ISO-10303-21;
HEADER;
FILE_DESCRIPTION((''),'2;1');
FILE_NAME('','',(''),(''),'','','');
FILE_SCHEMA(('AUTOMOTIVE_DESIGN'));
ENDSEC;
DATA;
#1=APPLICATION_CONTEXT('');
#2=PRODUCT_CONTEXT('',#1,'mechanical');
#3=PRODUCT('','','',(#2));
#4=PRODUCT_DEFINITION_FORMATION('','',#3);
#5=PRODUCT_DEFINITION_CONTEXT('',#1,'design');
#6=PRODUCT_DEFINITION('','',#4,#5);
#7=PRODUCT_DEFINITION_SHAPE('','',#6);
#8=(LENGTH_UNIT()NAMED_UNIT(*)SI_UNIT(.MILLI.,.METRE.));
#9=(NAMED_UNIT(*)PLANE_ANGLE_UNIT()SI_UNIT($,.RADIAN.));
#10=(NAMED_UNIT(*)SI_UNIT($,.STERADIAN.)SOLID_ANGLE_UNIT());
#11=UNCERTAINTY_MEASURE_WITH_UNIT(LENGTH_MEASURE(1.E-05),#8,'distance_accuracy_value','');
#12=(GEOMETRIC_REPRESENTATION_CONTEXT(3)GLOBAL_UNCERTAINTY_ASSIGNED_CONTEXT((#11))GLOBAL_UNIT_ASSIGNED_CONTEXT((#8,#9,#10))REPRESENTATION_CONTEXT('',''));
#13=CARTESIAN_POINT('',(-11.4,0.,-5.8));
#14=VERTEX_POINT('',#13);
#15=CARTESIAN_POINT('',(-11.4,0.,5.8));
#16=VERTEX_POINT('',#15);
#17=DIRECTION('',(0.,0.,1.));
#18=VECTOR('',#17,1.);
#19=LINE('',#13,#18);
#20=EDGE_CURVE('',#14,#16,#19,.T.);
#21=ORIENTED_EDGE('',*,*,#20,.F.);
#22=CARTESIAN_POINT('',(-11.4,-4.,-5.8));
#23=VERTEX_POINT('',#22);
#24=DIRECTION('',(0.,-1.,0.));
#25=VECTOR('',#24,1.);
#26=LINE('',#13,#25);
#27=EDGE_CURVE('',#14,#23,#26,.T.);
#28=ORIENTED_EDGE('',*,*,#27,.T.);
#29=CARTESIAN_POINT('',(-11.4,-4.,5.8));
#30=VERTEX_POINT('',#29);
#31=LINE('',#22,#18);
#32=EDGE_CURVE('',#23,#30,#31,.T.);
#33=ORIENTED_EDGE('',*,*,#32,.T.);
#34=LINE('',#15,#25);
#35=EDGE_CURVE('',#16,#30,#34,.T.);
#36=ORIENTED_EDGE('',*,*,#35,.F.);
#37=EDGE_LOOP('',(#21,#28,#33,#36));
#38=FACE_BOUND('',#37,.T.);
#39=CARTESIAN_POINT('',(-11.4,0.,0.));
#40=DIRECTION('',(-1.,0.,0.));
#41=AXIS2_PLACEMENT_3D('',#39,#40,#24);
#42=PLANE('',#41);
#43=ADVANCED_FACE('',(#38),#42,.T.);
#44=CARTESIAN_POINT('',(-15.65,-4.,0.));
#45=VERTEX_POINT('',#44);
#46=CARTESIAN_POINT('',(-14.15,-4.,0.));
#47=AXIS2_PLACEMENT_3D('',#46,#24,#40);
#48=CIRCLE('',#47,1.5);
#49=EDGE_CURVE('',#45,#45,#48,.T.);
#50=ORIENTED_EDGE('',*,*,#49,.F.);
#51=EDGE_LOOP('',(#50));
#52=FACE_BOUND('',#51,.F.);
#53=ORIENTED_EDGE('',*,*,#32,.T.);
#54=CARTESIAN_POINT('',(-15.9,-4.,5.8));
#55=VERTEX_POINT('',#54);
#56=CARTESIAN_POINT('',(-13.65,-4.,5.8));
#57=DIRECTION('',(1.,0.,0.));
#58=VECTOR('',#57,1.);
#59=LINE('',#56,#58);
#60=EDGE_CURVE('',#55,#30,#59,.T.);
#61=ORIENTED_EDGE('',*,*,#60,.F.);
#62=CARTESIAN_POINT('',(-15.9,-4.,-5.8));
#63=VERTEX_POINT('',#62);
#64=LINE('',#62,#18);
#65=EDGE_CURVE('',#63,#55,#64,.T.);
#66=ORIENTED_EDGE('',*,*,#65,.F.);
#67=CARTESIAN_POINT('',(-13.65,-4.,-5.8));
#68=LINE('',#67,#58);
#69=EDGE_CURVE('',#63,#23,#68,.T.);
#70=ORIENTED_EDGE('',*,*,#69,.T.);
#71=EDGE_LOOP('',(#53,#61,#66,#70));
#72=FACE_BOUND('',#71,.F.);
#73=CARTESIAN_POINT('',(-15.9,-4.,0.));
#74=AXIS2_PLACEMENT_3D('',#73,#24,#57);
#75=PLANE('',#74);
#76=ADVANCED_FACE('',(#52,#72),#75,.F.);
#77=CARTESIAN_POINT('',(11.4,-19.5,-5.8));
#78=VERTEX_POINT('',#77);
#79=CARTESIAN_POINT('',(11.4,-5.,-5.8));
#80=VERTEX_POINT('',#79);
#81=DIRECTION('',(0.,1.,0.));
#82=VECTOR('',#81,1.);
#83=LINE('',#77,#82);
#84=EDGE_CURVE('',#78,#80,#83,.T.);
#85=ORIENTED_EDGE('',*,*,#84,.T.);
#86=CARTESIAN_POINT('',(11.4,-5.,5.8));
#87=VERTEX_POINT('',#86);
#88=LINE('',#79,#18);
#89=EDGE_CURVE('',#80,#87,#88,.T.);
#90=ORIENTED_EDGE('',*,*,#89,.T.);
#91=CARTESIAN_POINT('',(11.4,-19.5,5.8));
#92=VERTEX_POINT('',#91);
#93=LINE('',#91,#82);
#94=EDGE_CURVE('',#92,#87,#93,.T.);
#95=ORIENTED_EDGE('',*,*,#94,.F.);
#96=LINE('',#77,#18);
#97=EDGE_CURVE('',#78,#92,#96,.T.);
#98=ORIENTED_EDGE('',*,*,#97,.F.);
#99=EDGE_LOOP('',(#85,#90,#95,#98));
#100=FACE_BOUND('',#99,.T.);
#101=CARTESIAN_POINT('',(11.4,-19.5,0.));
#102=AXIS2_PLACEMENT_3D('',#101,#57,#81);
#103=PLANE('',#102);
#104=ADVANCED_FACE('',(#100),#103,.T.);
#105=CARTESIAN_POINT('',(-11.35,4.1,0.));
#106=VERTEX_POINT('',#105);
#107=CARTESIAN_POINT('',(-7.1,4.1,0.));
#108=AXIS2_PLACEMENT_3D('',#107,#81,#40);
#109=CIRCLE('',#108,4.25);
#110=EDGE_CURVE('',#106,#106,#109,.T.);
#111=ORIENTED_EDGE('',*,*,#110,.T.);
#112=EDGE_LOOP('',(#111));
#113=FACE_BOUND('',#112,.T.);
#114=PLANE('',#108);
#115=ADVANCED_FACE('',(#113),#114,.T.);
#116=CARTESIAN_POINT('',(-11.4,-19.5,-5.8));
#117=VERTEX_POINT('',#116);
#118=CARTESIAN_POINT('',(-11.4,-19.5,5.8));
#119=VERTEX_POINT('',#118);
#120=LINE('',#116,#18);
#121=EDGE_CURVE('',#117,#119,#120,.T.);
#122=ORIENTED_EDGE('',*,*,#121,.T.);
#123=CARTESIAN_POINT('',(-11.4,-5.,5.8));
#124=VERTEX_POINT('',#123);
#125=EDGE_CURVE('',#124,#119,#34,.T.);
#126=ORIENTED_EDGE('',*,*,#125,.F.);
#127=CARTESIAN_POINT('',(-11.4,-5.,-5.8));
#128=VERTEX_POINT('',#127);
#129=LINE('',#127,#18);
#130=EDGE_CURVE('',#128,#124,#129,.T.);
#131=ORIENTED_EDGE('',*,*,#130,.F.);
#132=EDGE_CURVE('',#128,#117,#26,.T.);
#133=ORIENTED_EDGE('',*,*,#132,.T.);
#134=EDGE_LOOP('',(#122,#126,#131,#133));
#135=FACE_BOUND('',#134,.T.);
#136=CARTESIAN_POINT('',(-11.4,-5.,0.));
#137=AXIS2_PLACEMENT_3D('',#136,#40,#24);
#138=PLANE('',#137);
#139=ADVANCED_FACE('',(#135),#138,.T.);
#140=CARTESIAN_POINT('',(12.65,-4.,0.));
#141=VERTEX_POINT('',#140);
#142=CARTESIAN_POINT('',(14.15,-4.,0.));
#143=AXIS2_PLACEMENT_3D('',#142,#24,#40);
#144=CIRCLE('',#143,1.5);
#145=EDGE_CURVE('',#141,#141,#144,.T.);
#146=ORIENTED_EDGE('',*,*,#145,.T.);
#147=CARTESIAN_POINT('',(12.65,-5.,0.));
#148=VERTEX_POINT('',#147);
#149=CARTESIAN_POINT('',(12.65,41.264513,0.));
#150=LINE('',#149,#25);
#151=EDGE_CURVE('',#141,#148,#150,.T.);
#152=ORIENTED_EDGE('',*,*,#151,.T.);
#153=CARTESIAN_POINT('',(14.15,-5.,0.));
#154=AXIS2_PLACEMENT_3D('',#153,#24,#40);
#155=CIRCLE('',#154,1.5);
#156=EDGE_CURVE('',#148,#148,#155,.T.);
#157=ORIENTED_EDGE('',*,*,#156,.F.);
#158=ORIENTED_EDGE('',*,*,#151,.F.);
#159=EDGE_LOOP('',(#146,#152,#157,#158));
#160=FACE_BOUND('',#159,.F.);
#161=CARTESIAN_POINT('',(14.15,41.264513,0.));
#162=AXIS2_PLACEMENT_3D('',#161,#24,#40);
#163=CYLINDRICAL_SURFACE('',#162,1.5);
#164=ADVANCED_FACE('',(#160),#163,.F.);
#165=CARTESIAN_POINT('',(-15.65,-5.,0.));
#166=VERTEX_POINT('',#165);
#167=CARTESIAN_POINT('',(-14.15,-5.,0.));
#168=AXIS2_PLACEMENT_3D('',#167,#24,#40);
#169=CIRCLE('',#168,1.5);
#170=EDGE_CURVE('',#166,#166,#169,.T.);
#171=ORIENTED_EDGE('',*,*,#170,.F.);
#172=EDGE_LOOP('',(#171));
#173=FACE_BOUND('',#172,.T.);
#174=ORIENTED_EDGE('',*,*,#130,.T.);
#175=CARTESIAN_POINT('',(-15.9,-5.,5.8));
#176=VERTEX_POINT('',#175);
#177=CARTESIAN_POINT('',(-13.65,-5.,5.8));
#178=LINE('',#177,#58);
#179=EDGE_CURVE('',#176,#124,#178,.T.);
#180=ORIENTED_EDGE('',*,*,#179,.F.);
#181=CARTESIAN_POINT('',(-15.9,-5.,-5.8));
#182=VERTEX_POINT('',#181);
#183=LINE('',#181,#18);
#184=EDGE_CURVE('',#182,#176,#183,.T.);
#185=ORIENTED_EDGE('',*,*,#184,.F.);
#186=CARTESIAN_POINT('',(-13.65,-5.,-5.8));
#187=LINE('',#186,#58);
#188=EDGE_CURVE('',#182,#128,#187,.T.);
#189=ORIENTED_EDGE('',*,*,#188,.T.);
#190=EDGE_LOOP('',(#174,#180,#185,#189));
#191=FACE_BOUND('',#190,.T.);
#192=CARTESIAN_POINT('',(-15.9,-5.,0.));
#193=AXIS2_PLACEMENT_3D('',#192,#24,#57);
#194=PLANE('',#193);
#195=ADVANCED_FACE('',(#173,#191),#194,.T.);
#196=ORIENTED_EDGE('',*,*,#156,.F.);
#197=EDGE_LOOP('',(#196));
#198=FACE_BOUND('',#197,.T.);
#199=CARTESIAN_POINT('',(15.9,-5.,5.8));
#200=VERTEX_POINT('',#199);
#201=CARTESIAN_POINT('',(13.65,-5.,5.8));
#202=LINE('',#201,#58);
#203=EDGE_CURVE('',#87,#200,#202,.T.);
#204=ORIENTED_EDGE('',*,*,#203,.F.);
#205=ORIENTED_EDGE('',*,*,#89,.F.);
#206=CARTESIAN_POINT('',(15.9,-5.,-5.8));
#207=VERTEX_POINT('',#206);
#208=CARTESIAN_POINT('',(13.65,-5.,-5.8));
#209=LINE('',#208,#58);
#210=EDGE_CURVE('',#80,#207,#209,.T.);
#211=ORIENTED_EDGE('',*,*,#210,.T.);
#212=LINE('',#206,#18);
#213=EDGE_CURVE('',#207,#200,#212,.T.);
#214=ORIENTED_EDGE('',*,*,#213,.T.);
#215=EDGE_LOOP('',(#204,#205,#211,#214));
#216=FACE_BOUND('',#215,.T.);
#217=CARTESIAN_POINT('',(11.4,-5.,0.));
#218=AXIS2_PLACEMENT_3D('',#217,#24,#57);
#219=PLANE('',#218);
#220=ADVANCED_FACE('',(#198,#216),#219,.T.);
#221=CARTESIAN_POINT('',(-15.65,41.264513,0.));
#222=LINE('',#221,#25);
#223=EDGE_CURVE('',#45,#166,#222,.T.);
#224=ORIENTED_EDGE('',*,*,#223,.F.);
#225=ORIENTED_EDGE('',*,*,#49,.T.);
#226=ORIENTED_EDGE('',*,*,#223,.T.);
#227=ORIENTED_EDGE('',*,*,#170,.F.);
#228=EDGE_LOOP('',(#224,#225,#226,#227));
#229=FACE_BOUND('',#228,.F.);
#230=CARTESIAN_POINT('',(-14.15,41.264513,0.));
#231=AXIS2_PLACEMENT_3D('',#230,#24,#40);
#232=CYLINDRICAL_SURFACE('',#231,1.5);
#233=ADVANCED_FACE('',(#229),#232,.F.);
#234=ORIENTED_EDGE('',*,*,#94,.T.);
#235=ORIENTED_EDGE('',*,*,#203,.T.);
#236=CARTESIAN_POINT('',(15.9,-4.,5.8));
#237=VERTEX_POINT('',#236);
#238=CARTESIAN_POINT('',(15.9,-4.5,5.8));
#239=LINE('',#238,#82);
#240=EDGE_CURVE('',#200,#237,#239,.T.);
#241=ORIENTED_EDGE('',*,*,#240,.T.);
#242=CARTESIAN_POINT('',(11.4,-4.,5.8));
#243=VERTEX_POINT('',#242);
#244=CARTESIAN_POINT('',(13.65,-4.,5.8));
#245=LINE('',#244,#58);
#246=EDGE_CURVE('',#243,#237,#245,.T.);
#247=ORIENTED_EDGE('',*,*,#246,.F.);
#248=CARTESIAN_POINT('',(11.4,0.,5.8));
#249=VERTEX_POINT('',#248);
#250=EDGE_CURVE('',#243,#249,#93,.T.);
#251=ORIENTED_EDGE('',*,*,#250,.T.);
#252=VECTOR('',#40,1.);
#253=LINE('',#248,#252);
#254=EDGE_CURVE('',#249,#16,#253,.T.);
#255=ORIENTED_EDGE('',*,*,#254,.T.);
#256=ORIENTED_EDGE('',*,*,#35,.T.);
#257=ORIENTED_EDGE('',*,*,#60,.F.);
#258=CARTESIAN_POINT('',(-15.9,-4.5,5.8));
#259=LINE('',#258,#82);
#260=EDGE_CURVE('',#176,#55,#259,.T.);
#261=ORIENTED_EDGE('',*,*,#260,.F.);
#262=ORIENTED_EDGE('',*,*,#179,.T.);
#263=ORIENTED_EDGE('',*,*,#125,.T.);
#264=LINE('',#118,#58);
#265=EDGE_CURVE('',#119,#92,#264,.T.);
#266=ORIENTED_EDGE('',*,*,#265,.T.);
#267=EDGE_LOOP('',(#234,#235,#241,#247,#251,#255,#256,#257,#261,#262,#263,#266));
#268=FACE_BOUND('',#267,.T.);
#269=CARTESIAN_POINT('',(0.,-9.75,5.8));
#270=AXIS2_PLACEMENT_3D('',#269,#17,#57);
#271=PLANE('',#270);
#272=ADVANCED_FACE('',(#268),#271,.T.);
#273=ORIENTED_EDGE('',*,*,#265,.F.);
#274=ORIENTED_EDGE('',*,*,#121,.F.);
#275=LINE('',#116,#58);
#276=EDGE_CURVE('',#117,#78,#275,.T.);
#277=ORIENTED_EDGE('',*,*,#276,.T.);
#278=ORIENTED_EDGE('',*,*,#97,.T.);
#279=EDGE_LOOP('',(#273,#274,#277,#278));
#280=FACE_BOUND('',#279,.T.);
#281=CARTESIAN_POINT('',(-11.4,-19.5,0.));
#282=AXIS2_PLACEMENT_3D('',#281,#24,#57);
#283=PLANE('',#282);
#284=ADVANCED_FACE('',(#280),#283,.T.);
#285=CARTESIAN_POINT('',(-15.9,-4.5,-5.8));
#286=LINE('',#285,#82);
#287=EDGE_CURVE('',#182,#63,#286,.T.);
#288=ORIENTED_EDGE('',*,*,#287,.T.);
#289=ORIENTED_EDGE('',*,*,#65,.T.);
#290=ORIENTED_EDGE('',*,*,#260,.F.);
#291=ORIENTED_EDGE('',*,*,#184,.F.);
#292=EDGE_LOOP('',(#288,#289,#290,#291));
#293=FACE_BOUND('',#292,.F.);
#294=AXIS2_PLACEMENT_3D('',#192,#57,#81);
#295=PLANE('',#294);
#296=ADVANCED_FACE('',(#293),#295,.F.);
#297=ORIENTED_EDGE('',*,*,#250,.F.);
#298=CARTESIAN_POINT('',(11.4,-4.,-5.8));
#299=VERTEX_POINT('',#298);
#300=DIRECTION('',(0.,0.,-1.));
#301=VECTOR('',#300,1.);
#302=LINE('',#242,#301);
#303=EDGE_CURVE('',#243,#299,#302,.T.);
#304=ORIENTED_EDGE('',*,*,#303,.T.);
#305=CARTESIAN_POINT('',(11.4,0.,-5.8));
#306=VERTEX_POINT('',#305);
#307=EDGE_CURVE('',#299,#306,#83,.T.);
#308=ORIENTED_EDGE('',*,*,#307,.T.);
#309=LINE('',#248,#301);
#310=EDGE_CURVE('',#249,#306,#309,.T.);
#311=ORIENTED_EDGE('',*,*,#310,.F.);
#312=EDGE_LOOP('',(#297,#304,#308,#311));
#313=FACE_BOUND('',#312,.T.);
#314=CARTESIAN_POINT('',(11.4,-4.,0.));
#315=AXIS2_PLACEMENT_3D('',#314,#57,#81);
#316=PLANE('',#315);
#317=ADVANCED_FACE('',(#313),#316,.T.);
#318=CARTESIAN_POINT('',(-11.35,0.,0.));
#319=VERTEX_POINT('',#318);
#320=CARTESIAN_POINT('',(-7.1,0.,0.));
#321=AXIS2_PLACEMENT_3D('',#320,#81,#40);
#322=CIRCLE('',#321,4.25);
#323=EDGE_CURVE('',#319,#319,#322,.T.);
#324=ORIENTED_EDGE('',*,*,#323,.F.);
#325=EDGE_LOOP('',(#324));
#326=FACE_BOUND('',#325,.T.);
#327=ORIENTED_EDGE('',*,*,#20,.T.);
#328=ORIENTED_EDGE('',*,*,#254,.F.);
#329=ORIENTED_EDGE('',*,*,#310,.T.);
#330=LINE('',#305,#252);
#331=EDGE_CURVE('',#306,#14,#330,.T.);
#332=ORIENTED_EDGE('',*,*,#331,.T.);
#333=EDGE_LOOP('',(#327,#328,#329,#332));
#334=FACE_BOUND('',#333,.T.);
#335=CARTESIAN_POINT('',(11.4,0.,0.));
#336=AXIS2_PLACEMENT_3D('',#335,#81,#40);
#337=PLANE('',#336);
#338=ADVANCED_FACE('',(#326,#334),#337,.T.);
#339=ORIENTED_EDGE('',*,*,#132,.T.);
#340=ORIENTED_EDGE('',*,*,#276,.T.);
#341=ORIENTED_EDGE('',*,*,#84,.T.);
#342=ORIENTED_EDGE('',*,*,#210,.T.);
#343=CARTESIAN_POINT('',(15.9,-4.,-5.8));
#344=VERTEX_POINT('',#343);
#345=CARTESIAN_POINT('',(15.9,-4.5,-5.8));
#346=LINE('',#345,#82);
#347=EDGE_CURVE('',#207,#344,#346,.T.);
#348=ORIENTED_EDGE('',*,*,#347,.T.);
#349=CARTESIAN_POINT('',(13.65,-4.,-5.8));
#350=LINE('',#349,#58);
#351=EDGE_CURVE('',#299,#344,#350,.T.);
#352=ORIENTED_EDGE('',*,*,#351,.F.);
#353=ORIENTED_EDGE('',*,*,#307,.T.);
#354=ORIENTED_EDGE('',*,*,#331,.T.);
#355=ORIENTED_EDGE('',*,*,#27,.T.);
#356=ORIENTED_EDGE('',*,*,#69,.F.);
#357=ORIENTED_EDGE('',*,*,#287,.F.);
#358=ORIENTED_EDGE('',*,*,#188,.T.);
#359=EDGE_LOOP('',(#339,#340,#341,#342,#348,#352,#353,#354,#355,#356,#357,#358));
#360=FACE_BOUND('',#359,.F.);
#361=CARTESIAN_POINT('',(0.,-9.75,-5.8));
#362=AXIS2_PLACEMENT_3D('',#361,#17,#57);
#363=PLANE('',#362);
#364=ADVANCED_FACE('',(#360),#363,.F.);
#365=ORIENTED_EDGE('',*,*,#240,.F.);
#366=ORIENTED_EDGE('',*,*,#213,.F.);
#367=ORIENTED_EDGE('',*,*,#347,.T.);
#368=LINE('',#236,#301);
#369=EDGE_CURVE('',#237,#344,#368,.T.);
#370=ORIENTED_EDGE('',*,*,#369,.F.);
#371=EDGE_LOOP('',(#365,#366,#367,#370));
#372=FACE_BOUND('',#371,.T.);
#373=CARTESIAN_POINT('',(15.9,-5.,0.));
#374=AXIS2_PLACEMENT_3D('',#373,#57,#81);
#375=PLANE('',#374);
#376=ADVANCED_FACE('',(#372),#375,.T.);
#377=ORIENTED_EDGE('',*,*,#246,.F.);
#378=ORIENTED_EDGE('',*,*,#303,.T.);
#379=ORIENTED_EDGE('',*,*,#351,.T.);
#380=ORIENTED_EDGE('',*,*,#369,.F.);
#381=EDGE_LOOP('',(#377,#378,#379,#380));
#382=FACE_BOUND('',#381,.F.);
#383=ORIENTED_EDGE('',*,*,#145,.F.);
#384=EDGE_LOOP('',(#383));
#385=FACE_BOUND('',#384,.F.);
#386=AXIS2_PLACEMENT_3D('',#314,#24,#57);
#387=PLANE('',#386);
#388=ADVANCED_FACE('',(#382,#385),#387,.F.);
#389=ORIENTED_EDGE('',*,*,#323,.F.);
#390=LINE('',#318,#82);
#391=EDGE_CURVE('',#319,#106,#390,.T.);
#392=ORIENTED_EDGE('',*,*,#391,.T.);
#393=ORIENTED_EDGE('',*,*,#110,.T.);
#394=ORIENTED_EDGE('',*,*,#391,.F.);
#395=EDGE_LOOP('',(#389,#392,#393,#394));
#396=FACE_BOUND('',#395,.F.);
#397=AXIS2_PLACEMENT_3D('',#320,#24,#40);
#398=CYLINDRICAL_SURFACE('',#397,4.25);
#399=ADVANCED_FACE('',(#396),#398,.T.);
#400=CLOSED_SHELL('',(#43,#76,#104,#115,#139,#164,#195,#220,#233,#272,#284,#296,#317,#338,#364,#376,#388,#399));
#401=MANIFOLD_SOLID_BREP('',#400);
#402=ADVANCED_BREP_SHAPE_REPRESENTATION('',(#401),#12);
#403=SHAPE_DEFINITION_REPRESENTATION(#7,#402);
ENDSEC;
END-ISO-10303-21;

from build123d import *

# Parameters (mm, degrees)
F0_W     = 4.5
F0_H     = 1
F1_DEPTH = 5.8
F2_R     = 4.25
F3_DEPTH = 4.1
F5_D     = 3


with BuildPart() as f1:
    # F0 (on Top) → F1 (new body, symmetric)
    with BuildSketch(Plane.XY):
        Polygon((11.4, 0), (-11.4, 0), (-11.4, -4), (-11.4, -5), (-11.4, -19.5), (11.4, -19.5), (11.4, -5), (11.4, -4), align=None)
        with Locations((-13.65, -4.5)):
            Rectangle(F0_W, F0_H)
        with Locations((13.65, -4.5)):
            Rectangle(F0_W, F0_H)
    extrude(amount=F1_DEPTH, both=True)

    # F2 (on face) → F3 (join)
    with BuildSketch(Plane(origin=(0, 0, 0), x_dir=(-1, 0, 0), z_dir=(0, 1, 0))):
        with Locations((7.1, 0)):
            Circle(F2_R)
    extrude(amount=F3_DEPTH)

    # F5 (through all)
    with Locations(Plane(origin=(0, 0, 0), x_dir=(1, 0, 0), z_dir=(0, 1, 0))):
        with Locations((14.15, 0), (-14.15, 0)):
            Hole(F5_D / 2)


solid = f1.part
